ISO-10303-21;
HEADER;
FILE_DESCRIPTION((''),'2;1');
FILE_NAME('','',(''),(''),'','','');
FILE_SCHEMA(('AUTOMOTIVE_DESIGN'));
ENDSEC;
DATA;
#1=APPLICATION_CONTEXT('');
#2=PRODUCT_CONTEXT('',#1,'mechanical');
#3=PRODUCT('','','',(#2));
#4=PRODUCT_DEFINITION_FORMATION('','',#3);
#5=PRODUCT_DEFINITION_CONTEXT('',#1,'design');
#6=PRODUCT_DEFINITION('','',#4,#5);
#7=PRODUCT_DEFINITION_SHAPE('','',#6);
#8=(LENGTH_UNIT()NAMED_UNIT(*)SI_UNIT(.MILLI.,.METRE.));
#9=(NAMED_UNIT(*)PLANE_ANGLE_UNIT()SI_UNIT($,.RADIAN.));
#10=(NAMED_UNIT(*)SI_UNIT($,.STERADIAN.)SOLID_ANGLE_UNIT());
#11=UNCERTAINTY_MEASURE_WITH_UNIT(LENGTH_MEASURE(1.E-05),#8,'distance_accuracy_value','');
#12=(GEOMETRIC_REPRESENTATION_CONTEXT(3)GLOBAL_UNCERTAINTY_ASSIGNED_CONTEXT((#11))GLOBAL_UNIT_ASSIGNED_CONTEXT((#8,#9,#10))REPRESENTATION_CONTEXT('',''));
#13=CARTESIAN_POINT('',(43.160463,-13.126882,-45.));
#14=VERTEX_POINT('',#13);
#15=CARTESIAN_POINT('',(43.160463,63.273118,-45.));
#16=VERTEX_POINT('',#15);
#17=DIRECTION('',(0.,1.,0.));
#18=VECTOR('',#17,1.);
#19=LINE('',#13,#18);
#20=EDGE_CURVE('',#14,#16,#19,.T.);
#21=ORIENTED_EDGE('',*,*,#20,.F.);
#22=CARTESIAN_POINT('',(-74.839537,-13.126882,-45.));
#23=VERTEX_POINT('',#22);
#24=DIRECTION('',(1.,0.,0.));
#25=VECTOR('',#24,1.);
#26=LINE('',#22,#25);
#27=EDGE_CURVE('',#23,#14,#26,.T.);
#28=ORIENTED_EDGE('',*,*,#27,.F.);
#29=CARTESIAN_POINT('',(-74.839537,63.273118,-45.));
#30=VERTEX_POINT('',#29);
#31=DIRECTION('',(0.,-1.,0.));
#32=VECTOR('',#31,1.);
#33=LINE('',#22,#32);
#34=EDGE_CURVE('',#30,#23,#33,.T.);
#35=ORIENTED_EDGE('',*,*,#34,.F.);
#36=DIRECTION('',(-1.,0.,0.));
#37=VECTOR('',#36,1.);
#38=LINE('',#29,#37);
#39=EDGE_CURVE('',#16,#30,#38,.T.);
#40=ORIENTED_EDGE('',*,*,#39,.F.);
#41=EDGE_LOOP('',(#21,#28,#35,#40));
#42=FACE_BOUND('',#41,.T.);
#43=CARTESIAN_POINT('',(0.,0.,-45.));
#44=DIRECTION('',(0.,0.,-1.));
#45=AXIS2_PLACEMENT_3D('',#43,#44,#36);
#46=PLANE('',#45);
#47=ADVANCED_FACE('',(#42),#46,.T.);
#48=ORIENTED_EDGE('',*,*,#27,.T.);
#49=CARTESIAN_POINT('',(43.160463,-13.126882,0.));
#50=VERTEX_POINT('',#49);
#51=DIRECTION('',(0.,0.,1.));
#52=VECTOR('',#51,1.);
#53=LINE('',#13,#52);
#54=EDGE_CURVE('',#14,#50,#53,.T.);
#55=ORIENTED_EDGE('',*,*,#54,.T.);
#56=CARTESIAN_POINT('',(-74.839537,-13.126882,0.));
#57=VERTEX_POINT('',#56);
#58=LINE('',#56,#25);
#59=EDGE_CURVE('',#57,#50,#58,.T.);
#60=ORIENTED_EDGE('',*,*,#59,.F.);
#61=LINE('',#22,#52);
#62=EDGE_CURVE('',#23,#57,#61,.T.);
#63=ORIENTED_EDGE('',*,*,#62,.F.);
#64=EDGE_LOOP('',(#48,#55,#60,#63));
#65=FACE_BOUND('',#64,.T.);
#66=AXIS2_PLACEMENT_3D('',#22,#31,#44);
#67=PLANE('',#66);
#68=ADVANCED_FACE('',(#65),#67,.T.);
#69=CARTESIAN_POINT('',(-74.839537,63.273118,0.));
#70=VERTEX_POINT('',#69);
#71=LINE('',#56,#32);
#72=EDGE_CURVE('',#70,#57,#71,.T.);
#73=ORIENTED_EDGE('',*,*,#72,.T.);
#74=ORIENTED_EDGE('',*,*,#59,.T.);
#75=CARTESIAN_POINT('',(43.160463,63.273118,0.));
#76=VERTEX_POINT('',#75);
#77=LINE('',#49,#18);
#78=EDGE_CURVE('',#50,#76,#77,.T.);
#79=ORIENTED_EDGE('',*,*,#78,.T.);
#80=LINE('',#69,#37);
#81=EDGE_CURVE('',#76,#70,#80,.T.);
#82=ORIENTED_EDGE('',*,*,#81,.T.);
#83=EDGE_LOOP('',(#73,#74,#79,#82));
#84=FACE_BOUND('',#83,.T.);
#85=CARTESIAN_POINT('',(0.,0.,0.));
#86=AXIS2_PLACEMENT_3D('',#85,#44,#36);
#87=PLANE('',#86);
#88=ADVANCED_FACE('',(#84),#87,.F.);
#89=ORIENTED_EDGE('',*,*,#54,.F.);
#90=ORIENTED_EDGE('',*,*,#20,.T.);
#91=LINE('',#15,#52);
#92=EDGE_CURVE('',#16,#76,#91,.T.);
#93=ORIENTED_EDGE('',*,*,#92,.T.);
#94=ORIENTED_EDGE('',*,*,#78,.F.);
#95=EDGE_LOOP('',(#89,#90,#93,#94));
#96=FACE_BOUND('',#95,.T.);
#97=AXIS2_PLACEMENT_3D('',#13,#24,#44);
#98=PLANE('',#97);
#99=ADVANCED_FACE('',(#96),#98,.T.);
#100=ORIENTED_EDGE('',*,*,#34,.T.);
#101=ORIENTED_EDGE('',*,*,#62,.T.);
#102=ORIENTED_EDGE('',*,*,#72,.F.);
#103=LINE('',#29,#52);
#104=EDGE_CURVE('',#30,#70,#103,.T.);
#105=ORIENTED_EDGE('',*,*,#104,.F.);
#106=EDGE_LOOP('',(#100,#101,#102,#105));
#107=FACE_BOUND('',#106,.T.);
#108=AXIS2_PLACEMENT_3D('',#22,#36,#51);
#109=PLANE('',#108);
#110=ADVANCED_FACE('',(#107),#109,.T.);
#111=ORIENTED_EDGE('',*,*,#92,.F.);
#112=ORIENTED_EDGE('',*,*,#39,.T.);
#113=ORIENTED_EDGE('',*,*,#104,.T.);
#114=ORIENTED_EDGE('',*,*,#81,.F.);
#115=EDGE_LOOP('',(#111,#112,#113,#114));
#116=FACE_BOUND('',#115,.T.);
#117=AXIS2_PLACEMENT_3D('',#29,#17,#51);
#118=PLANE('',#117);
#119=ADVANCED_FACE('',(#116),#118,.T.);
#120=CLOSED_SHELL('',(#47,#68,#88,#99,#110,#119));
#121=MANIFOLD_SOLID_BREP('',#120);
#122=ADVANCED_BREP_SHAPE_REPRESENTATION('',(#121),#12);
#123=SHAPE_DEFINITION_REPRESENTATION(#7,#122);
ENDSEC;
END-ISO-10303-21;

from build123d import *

# Parameters (mm, degrees)
SKETCH1_W           = 118
SKETCH1_H           = 76.4
BOSS_EXTRUDE1_DEPTH = 45


with BuildPart() as part:
    # Sketch1 → Boss-Extrude1 (new body)
    with BuildSketch(Plane.XY):
        with Locations((-15.839536929, 25.073117764)):
            Rectangle(SKETCH1_W, SKETCH1_H)
    extrude(amount=-BOSS_EXTRUDE1_DEPTH)


solid = part.part
